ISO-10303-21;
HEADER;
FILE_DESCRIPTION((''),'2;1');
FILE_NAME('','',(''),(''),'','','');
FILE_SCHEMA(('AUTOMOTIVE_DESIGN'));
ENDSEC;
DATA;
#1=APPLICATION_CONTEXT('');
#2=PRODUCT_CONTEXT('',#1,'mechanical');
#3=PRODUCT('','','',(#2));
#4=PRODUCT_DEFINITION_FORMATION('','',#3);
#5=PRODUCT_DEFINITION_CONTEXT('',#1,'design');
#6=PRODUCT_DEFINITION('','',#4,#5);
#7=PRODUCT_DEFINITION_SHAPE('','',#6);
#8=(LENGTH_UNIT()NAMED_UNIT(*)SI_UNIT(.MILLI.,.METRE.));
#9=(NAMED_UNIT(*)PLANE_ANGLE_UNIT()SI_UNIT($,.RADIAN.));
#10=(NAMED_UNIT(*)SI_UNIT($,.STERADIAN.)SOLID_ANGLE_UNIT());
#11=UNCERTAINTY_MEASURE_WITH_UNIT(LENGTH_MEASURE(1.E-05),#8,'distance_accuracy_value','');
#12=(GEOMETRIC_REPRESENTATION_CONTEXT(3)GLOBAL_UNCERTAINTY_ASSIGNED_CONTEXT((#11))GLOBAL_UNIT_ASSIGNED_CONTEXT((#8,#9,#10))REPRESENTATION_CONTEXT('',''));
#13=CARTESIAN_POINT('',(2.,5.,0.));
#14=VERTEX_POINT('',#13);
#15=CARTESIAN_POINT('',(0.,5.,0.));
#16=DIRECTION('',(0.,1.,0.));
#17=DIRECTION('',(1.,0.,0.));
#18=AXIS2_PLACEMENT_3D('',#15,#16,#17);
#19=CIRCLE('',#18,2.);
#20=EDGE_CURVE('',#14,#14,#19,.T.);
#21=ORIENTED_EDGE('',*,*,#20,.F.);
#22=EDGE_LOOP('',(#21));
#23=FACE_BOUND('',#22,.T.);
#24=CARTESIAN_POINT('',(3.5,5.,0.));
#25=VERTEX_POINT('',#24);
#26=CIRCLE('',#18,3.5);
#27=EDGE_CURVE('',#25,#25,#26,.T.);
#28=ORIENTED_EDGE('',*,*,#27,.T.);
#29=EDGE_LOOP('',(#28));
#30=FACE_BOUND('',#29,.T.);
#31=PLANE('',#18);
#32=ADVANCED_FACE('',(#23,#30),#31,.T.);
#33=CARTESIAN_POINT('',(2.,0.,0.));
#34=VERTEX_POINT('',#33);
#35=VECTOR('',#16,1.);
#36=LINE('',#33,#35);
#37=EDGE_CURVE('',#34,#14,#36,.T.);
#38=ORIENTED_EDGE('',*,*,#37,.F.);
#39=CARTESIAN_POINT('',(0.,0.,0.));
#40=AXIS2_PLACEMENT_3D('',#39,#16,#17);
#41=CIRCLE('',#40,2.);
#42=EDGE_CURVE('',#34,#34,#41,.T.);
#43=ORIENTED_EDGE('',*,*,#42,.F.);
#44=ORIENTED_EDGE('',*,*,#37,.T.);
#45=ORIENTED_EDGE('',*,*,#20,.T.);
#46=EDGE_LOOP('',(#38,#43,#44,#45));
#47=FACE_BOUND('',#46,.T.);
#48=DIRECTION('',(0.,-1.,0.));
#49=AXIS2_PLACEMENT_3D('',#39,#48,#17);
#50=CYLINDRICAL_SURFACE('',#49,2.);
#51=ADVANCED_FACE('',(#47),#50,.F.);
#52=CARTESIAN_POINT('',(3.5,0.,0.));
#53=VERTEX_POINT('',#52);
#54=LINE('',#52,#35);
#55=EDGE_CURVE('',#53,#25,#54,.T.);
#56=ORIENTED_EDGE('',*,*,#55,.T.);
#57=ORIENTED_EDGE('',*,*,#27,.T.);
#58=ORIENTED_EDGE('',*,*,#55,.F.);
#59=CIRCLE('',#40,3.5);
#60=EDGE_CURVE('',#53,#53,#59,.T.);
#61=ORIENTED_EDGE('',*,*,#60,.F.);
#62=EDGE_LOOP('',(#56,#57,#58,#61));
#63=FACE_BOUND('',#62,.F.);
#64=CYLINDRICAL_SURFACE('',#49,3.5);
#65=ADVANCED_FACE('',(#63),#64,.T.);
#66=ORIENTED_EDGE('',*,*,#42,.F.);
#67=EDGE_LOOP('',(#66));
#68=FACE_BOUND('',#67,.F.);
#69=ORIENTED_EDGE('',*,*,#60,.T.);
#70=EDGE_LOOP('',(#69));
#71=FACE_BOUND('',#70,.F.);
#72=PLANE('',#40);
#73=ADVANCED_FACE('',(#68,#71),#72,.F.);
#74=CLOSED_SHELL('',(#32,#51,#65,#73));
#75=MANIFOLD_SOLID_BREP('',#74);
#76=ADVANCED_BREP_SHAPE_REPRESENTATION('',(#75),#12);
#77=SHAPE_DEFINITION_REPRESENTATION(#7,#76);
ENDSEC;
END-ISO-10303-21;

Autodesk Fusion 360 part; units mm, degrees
sketch "Sketch1" plane through (0, 0, 0) normal (0, 1, 0) x (1, 0, 0)
  circle A0 centre (0, 0) radius 3.5
  circle A1 centre (0, 0) radius 2
  dimension "d1" = 7
  dimension "d2" = 4
extrude "Extrude1" add sketch "Sketch1" along normal blind 5
